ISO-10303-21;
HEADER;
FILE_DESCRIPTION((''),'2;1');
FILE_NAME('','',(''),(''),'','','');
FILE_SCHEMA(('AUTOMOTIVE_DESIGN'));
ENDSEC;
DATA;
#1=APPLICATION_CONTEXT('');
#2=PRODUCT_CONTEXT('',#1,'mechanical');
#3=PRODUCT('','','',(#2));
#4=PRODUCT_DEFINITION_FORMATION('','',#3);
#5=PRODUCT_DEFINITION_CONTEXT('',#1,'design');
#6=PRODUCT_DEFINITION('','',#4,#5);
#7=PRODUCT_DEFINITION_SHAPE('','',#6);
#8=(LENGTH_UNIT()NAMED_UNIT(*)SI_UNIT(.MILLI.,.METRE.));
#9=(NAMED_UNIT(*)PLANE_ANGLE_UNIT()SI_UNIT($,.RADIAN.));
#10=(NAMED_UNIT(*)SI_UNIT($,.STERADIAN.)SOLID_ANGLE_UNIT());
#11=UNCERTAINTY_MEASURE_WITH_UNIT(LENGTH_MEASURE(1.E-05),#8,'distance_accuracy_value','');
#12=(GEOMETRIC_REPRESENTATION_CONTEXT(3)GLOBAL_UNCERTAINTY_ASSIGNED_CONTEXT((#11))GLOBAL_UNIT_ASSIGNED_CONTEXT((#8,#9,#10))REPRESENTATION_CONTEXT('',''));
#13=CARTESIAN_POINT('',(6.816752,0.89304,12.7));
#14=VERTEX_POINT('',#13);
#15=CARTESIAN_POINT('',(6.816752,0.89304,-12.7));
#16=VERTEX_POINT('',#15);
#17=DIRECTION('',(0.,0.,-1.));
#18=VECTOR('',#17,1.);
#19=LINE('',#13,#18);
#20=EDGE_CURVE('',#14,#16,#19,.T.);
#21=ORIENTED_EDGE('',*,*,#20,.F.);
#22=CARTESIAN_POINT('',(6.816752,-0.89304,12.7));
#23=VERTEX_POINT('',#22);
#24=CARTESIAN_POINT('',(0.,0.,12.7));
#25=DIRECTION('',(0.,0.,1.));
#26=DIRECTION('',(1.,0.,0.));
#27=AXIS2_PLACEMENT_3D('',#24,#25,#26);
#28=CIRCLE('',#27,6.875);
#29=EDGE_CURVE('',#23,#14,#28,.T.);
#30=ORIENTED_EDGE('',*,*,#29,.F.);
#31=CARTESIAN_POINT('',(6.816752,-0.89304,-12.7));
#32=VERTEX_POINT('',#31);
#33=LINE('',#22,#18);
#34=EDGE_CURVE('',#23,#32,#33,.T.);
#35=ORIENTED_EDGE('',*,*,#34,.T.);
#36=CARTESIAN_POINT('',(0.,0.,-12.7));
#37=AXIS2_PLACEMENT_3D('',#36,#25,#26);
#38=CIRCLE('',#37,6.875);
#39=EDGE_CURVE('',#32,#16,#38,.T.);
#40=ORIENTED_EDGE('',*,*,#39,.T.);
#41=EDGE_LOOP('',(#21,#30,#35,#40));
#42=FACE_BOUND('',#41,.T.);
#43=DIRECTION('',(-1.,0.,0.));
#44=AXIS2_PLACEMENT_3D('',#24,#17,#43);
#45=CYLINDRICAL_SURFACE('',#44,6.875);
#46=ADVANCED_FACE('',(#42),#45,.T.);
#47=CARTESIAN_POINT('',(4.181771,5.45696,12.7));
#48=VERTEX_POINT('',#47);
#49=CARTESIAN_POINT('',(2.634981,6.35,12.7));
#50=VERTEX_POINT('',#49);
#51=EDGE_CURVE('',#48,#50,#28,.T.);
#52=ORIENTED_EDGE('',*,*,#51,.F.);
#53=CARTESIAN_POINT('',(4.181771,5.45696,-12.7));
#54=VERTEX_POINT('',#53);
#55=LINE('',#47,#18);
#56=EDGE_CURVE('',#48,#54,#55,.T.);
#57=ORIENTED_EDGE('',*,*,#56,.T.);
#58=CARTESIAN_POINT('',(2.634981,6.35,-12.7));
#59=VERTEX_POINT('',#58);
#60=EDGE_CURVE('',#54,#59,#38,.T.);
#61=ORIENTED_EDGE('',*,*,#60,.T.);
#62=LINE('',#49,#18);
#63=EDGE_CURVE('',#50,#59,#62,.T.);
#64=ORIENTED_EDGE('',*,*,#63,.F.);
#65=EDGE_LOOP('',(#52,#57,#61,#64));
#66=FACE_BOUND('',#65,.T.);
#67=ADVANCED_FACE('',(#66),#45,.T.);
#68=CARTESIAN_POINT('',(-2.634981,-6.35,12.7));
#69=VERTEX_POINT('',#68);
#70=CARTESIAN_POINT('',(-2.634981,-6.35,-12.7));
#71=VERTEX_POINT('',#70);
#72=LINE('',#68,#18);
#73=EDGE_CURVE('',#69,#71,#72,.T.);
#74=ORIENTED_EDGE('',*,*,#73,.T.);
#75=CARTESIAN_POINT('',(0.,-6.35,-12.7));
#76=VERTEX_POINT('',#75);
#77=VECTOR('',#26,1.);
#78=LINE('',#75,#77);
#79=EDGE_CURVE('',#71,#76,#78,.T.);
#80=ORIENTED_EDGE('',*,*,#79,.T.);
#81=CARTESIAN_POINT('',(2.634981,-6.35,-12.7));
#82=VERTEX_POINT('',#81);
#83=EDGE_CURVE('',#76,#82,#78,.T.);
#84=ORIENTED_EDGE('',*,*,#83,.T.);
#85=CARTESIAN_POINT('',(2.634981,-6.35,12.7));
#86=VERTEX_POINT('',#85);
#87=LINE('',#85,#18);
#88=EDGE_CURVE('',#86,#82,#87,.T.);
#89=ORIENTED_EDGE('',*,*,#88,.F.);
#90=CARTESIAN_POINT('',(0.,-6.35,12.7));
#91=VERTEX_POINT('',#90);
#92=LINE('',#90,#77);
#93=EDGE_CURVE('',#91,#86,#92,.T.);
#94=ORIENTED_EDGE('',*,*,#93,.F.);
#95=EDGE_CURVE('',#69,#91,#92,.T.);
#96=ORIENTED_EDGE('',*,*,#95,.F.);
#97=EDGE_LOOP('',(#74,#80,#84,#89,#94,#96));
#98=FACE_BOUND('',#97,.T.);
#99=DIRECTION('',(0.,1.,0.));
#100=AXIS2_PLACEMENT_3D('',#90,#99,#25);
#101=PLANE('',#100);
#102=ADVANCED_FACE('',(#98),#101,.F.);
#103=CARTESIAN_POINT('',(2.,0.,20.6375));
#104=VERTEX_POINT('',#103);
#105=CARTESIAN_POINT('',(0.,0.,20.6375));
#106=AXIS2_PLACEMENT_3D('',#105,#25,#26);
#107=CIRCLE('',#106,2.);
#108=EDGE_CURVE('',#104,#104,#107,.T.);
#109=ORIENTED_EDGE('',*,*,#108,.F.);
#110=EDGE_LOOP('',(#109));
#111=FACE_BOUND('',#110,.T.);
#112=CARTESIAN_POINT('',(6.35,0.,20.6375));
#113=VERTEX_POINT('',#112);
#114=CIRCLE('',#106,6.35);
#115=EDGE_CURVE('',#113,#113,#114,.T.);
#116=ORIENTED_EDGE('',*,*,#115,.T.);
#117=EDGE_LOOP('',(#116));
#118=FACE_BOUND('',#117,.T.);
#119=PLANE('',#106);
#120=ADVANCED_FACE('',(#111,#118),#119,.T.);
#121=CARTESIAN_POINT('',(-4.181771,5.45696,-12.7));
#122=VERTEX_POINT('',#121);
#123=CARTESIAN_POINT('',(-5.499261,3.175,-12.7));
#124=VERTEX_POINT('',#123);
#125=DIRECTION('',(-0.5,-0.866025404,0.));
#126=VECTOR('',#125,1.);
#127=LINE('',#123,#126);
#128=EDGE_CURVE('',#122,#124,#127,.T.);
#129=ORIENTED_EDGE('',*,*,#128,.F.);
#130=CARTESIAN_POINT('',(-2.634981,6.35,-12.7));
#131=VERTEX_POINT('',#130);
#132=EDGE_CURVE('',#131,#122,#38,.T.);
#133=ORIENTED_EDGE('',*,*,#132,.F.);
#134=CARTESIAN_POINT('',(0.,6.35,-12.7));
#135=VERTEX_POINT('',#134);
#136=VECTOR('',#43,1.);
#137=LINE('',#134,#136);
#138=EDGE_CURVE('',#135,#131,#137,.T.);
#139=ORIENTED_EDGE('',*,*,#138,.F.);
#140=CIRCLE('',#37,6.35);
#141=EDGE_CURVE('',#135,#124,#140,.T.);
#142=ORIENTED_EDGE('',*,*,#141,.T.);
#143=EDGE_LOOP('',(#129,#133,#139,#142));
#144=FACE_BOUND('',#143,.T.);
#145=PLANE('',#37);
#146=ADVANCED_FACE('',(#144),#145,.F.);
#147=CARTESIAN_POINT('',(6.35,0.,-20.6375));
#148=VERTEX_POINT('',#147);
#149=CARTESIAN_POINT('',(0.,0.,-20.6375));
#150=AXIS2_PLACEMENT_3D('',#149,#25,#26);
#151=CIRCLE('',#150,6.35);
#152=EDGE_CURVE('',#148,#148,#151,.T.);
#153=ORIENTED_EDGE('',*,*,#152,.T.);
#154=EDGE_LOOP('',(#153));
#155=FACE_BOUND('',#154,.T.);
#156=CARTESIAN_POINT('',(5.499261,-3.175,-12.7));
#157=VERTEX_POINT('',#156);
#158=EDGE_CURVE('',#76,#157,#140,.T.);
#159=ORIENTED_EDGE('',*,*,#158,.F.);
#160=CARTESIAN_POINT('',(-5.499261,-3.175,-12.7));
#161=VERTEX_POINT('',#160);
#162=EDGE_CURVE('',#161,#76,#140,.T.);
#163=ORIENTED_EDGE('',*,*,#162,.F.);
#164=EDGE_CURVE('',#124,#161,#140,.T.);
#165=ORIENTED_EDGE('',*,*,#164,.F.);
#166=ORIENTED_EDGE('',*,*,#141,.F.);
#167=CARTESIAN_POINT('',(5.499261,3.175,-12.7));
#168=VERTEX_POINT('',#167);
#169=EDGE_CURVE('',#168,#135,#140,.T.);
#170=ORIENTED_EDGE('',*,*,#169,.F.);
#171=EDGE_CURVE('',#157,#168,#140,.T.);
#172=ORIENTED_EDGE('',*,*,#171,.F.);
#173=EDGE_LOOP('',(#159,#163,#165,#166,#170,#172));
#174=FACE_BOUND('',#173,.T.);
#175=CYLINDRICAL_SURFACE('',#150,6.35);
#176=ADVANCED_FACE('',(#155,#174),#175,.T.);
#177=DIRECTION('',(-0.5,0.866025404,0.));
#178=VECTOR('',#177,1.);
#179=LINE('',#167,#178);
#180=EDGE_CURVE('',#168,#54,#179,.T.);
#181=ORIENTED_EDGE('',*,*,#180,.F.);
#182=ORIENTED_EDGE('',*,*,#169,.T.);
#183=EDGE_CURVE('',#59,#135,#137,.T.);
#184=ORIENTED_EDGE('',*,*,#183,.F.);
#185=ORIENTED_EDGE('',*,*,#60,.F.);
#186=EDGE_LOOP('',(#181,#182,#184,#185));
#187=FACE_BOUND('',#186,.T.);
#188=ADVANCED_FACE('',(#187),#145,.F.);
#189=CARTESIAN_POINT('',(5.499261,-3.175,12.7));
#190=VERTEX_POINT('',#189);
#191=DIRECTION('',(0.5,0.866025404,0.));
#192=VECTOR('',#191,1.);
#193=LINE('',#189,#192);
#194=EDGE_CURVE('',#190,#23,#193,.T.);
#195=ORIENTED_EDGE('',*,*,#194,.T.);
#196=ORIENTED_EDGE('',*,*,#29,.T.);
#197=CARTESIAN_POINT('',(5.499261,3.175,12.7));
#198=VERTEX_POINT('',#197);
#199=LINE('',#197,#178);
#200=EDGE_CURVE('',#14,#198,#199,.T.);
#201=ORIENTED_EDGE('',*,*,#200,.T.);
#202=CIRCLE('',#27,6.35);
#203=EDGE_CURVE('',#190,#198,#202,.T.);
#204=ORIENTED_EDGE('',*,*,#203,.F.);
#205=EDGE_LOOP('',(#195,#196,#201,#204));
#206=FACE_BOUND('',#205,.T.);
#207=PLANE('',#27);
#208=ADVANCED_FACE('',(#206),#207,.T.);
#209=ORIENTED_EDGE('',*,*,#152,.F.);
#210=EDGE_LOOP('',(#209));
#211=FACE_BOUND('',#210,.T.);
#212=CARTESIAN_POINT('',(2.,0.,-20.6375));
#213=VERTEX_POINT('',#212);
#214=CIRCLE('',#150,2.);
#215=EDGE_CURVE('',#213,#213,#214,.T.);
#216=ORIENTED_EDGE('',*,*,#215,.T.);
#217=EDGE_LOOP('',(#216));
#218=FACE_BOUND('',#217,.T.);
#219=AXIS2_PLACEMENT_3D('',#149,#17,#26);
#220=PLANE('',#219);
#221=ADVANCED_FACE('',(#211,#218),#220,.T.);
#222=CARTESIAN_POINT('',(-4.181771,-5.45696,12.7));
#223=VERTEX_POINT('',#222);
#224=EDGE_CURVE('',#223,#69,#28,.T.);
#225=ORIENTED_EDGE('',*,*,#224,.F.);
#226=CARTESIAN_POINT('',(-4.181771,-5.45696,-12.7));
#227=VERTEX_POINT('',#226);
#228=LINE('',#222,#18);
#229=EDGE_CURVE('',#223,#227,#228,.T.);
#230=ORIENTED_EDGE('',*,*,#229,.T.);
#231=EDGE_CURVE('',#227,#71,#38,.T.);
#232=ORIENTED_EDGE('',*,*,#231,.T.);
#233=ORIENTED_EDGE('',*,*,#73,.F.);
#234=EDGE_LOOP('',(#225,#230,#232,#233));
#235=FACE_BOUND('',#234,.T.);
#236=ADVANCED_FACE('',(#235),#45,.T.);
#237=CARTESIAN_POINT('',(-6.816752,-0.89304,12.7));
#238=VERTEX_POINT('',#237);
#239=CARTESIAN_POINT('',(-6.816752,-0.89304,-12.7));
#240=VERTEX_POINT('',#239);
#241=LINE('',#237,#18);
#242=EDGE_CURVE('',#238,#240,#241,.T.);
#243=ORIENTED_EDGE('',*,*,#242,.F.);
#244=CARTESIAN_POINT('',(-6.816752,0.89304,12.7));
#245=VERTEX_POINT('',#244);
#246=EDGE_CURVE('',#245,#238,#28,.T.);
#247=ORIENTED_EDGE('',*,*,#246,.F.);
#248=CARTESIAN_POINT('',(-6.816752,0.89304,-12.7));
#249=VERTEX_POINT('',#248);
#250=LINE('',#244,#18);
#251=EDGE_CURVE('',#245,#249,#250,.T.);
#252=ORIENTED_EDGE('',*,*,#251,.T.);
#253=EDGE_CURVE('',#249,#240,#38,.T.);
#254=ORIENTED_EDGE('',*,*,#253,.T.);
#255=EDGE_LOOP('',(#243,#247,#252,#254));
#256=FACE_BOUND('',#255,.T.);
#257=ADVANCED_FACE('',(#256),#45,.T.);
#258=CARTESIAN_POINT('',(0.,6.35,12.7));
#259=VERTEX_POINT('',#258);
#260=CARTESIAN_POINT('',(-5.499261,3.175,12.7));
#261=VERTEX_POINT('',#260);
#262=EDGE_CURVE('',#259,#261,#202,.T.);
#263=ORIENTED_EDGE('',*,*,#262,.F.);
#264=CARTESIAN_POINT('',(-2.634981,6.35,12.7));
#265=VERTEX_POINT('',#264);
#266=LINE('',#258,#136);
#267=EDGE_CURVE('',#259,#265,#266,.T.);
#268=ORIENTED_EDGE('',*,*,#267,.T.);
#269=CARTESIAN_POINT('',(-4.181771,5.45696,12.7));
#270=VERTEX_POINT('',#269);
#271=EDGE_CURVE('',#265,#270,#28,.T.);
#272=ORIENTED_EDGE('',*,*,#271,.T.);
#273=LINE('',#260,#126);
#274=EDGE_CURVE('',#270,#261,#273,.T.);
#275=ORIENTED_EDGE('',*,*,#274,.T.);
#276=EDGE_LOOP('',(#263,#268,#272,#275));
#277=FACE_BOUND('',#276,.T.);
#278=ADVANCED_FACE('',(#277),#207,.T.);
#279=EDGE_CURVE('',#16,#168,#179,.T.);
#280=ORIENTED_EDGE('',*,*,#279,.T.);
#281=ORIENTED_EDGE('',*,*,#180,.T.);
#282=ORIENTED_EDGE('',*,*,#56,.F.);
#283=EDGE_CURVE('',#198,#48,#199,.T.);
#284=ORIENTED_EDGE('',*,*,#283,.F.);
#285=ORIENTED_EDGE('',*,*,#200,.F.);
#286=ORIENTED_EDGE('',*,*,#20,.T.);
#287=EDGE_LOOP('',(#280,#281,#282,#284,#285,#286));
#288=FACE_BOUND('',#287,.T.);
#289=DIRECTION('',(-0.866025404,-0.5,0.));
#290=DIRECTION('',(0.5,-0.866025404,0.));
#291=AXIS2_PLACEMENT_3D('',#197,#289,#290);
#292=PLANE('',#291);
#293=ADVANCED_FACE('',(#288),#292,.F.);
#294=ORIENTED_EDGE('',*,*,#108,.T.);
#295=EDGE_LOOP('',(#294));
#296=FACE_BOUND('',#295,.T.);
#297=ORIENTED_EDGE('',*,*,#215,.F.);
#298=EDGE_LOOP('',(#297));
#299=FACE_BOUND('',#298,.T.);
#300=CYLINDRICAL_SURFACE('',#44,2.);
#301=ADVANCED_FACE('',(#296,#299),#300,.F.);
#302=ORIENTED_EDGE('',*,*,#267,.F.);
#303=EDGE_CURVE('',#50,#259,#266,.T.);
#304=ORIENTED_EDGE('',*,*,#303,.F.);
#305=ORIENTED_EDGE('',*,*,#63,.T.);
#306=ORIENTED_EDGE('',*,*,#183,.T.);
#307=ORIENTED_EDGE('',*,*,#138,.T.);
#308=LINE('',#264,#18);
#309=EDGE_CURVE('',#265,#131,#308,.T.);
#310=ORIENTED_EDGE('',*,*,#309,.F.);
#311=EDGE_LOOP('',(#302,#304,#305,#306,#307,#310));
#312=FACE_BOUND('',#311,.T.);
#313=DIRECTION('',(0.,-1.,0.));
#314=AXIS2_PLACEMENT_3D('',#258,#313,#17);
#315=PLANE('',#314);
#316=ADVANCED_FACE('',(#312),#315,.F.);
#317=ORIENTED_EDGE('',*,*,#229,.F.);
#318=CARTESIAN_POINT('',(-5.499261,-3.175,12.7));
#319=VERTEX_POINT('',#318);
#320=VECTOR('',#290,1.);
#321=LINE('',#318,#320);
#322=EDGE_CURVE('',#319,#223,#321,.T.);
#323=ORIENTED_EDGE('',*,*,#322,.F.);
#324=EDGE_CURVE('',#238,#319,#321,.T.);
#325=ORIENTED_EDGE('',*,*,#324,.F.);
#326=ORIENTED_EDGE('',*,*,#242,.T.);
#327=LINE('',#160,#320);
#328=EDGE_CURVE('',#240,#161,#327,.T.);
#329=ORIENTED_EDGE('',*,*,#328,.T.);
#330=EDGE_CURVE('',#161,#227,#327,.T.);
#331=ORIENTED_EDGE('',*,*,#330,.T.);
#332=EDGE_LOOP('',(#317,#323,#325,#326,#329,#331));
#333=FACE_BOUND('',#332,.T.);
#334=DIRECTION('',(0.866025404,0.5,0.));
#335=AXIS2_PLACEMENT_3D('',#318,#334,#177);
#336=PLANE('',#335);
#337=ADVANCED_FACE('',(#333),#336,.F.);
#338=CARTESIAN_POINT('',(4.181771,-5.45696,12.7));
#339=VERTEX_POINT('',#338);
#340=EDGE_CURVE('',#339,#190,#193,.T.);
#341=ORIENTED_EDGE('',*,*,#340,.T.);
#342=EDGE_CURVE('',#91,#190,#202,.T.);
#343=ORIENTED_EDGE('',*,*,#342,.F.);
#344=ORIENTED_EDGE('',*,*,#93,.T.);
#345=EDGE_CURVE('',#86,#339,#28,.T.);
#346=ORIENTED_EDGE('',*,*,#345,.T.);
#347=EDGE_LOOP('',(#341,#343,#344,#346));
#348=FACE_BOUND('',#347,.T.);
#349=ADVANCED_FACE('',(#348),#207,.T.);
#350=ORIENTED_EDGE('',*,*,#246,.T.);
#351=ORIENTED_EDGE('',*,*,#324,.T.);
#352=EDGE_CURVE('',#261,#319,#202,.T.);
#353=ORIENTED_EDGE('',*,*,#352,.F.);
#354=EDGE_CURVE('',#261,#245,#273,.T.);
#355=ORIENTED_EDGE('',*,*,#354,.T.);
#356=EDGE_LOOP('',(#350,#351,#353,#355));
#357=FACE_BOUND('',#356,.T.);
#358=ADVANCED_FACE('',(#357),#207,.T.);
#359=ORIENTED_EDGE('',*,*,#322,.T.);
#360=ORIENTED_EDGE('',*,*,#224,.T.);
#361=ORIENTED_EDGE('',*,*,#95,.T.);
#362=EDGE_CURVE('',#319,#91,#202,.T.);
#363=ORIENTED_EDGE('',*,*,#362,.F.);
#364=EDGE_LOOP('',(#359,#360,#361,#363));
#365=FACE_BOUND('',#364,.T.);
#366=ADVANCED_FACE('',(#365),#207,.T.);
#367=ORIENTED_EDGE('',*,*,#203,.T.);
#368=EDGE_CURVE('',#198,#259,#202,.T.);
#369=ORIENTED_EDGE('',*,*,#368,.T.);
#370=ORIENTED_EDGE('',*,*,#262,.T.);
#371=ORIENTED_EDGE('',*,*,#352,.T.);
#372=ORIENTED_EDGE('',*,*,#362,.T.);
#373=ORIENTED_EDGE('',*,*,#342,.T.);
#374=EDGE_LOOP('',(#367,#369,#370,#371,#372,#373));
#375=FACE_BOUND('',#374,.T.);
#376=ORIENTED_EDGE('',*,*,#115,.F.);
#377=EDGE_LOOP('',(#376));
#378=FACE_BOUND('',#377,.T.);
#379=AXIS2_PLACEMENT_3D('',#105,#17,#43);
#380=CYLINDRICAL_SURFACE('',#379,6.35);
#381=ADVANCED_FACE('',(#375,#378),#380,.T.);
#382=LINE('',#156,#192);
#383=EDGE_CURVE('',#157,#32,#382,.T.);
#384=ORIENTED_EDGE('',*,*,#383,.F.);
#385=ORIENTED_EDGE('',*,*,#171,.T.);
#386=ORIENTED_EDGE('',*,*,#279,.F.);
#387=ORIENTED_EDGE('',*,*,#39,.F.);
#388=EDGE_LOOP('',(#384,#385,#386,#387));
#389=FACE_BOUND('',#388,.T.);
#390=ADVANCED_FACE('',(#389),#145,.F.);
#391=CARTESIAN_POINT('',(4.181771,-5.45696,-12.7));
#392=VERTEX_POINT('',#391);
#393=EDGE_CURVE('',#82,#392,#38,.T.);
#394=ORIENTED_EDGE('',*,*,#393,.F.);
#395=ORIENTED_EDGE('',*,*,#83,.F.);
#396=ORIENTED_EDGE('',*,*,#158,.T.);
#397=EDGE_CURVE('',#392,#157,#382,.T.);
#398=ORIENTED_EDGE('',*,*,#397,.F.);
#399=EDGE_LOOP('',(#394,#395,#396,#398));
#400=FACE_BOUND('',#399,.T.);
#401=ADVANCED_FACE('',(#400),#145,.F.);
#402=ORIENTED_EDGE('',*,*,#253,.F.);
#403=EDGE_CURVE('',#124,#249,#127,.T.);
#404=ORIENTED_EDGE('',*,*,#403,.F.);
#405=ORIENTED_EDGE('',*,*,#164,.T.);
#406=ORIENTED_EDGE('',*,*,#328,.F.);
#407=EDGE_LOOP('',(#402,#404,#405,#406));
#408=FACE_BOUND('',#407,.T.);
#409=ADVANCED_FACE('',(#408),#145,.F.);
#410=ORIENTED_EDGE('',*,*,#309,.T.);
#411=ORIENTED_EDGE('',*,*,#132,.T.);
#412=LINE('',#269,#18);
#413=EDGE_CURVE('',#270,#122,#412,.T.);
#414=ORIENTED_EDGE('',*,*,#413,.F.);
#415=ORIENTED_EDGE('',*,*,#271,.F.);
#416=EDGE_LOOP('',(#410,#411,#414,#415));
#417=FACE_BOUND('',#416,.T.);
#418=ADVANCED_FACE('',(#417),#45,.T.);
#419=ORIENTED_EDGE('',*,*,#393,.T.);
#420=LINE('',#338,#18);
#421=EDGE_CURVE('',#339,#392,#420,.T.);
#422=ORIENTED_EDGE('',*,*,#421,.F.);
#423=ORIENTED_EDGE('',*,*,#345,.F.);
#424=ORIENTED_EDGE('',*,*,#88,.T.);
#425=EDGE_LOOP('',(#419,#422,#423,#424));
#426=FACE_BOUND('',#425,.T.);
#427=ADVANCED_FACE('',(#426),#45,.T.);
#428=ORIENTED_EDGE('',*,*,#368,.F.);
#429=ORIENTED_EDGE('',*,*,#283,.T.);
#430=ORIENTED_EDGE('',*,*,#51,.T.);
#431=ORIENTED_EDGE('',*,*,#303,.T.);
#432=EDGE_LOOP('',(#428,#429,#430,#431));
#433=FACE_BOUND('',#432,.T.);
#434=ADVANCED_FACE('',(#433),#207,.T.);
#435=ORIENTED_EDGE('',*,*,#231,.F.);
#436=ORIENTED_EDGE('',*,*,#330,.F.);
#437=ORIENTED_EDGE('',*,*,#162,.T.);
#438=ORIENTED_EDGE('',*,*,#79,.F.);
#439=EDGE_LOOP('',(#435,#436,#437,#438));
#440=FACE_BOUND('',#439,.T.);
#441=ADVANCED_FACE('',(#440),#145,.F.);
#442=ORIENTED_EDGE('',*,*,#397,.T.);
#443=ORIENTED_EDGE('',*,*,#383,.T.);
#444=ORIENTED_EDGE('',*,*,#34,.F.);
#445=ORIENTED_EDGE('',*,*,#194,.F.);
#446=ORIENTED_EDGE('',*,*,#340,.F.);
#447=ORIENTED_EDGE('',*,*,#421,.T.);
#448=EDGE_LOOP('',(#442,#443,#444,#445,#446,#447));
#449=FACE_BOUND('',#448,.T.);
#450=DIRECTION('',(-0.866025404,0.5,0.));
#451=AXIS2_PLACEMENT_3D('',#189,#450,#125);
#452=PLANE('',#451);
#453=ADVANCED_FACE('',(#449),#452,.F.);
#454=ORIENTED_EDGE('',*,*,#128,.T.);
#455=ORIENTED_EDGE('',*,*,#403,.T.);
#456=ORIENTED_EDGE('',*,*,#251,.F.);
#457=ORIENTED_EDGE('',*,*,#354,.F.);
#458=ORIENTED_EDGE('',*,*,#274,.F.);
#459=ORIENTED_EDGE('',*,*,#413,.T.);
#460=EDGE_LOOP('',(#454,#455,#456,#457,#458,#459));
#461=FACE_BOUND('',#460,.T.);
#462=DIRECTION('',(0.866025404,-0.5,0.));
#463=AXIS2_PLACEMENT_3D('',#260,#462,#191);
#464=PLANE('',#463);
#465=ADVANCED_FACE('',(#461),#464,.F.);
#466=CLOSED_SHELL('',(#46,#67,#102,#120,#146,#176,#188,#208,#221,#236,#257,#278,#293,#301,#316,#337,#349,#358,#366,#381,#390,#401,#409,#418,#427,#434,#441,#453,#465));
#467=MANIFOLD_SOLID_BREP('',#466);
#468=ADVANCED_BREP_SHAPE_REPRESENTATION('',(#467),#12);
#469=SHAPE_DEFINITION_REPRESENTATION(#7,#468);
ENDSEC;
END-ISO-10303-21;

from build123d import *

# Parameters (mm, degrees)
SKETCH1_R           = 2.000000064
BOSS_EXTRUDE1_DEPTH = 12.7
SKETCH4_R           = 6.35
SKETCH4_R_2         = 2.000000064
BOSS_EXTRUDE2_DEPTH = 7.9375


with BuildPart() as part:
    # Sketch1 → Boss-Extrude1 (new, symmetric)
    with BuildSketch(Plane.XY):
        with BuildLine():
            ThreePointArc((4.181770846, 5.456960429), (3.437499983, 5.953924622), (2.634980936, 6.35))
            Line((2.634980936, 6.35), (-2.634980936, 6.35))
            ThreePointArc((-2.634980936, 6.35), (-3.437499983, 5.953924622), (-4.181770846, 5.456960429))
            Line((-4.181770846, 5.456960429), (-6.816751782, 0.893039571))
            ThreePointArc((-6.816751782, 0.893039571), (-6.874999966, 0), (-6.816751782, -0.893039571))
            Line((-6.816751782, -0.893039571), (-4.181770846, -5.456960429))
            ThreePointArc((-4.181770846, -5.456960429), (-3.437499983, -5.953924622), (-2.634980936, -6.35))
            Line((-2.634980936, -6.35), (2.634980936, -6.35))
            ThreePointArc((2.634980936, -6.35), (3.437499983, -5.953924622), (4.181770846, -5.456960429))
            Line((4.181770846, -5.456960429), (6.816751782, -0.893039571))
            ThreePointArc((6.816751782, -0.893039571), (6.860422465, -0.447468582), (6.874999966, 0))
            ThreePointArc((6.874999966, 0), (6.860422465, 0.447468582), (6.816751782, 0.893039571))
            Line((6.816751782, 0.893039571), (4.181770846, 5.456960429))
        make_face()
        Circle(SKETCH1_R, mode=Mode.SUBTRACT)
    extrude(amount=BOSS_EXTRUDE1_DEPTH, both=True)

    # Sketch4 → Boss-Extrude2 (add)
    with BuildSketch(Plane.XY.offset(12.7)):
        with Locations(Location((0, 0, 0), (0, 0, 150))):
            Circle(SKETCH4_R)
        Circle(SKETCH4_R_2, mode=Mode.SUBTRACT)
    boss_extrude2 = extrude(amount=BOSS_EXTRUDE2_DEPTH)

    # Mirror1: Boss-Extrude2 across plane
    add(boss_extrude2.mirror(Plane.XY))


solid = part.part
